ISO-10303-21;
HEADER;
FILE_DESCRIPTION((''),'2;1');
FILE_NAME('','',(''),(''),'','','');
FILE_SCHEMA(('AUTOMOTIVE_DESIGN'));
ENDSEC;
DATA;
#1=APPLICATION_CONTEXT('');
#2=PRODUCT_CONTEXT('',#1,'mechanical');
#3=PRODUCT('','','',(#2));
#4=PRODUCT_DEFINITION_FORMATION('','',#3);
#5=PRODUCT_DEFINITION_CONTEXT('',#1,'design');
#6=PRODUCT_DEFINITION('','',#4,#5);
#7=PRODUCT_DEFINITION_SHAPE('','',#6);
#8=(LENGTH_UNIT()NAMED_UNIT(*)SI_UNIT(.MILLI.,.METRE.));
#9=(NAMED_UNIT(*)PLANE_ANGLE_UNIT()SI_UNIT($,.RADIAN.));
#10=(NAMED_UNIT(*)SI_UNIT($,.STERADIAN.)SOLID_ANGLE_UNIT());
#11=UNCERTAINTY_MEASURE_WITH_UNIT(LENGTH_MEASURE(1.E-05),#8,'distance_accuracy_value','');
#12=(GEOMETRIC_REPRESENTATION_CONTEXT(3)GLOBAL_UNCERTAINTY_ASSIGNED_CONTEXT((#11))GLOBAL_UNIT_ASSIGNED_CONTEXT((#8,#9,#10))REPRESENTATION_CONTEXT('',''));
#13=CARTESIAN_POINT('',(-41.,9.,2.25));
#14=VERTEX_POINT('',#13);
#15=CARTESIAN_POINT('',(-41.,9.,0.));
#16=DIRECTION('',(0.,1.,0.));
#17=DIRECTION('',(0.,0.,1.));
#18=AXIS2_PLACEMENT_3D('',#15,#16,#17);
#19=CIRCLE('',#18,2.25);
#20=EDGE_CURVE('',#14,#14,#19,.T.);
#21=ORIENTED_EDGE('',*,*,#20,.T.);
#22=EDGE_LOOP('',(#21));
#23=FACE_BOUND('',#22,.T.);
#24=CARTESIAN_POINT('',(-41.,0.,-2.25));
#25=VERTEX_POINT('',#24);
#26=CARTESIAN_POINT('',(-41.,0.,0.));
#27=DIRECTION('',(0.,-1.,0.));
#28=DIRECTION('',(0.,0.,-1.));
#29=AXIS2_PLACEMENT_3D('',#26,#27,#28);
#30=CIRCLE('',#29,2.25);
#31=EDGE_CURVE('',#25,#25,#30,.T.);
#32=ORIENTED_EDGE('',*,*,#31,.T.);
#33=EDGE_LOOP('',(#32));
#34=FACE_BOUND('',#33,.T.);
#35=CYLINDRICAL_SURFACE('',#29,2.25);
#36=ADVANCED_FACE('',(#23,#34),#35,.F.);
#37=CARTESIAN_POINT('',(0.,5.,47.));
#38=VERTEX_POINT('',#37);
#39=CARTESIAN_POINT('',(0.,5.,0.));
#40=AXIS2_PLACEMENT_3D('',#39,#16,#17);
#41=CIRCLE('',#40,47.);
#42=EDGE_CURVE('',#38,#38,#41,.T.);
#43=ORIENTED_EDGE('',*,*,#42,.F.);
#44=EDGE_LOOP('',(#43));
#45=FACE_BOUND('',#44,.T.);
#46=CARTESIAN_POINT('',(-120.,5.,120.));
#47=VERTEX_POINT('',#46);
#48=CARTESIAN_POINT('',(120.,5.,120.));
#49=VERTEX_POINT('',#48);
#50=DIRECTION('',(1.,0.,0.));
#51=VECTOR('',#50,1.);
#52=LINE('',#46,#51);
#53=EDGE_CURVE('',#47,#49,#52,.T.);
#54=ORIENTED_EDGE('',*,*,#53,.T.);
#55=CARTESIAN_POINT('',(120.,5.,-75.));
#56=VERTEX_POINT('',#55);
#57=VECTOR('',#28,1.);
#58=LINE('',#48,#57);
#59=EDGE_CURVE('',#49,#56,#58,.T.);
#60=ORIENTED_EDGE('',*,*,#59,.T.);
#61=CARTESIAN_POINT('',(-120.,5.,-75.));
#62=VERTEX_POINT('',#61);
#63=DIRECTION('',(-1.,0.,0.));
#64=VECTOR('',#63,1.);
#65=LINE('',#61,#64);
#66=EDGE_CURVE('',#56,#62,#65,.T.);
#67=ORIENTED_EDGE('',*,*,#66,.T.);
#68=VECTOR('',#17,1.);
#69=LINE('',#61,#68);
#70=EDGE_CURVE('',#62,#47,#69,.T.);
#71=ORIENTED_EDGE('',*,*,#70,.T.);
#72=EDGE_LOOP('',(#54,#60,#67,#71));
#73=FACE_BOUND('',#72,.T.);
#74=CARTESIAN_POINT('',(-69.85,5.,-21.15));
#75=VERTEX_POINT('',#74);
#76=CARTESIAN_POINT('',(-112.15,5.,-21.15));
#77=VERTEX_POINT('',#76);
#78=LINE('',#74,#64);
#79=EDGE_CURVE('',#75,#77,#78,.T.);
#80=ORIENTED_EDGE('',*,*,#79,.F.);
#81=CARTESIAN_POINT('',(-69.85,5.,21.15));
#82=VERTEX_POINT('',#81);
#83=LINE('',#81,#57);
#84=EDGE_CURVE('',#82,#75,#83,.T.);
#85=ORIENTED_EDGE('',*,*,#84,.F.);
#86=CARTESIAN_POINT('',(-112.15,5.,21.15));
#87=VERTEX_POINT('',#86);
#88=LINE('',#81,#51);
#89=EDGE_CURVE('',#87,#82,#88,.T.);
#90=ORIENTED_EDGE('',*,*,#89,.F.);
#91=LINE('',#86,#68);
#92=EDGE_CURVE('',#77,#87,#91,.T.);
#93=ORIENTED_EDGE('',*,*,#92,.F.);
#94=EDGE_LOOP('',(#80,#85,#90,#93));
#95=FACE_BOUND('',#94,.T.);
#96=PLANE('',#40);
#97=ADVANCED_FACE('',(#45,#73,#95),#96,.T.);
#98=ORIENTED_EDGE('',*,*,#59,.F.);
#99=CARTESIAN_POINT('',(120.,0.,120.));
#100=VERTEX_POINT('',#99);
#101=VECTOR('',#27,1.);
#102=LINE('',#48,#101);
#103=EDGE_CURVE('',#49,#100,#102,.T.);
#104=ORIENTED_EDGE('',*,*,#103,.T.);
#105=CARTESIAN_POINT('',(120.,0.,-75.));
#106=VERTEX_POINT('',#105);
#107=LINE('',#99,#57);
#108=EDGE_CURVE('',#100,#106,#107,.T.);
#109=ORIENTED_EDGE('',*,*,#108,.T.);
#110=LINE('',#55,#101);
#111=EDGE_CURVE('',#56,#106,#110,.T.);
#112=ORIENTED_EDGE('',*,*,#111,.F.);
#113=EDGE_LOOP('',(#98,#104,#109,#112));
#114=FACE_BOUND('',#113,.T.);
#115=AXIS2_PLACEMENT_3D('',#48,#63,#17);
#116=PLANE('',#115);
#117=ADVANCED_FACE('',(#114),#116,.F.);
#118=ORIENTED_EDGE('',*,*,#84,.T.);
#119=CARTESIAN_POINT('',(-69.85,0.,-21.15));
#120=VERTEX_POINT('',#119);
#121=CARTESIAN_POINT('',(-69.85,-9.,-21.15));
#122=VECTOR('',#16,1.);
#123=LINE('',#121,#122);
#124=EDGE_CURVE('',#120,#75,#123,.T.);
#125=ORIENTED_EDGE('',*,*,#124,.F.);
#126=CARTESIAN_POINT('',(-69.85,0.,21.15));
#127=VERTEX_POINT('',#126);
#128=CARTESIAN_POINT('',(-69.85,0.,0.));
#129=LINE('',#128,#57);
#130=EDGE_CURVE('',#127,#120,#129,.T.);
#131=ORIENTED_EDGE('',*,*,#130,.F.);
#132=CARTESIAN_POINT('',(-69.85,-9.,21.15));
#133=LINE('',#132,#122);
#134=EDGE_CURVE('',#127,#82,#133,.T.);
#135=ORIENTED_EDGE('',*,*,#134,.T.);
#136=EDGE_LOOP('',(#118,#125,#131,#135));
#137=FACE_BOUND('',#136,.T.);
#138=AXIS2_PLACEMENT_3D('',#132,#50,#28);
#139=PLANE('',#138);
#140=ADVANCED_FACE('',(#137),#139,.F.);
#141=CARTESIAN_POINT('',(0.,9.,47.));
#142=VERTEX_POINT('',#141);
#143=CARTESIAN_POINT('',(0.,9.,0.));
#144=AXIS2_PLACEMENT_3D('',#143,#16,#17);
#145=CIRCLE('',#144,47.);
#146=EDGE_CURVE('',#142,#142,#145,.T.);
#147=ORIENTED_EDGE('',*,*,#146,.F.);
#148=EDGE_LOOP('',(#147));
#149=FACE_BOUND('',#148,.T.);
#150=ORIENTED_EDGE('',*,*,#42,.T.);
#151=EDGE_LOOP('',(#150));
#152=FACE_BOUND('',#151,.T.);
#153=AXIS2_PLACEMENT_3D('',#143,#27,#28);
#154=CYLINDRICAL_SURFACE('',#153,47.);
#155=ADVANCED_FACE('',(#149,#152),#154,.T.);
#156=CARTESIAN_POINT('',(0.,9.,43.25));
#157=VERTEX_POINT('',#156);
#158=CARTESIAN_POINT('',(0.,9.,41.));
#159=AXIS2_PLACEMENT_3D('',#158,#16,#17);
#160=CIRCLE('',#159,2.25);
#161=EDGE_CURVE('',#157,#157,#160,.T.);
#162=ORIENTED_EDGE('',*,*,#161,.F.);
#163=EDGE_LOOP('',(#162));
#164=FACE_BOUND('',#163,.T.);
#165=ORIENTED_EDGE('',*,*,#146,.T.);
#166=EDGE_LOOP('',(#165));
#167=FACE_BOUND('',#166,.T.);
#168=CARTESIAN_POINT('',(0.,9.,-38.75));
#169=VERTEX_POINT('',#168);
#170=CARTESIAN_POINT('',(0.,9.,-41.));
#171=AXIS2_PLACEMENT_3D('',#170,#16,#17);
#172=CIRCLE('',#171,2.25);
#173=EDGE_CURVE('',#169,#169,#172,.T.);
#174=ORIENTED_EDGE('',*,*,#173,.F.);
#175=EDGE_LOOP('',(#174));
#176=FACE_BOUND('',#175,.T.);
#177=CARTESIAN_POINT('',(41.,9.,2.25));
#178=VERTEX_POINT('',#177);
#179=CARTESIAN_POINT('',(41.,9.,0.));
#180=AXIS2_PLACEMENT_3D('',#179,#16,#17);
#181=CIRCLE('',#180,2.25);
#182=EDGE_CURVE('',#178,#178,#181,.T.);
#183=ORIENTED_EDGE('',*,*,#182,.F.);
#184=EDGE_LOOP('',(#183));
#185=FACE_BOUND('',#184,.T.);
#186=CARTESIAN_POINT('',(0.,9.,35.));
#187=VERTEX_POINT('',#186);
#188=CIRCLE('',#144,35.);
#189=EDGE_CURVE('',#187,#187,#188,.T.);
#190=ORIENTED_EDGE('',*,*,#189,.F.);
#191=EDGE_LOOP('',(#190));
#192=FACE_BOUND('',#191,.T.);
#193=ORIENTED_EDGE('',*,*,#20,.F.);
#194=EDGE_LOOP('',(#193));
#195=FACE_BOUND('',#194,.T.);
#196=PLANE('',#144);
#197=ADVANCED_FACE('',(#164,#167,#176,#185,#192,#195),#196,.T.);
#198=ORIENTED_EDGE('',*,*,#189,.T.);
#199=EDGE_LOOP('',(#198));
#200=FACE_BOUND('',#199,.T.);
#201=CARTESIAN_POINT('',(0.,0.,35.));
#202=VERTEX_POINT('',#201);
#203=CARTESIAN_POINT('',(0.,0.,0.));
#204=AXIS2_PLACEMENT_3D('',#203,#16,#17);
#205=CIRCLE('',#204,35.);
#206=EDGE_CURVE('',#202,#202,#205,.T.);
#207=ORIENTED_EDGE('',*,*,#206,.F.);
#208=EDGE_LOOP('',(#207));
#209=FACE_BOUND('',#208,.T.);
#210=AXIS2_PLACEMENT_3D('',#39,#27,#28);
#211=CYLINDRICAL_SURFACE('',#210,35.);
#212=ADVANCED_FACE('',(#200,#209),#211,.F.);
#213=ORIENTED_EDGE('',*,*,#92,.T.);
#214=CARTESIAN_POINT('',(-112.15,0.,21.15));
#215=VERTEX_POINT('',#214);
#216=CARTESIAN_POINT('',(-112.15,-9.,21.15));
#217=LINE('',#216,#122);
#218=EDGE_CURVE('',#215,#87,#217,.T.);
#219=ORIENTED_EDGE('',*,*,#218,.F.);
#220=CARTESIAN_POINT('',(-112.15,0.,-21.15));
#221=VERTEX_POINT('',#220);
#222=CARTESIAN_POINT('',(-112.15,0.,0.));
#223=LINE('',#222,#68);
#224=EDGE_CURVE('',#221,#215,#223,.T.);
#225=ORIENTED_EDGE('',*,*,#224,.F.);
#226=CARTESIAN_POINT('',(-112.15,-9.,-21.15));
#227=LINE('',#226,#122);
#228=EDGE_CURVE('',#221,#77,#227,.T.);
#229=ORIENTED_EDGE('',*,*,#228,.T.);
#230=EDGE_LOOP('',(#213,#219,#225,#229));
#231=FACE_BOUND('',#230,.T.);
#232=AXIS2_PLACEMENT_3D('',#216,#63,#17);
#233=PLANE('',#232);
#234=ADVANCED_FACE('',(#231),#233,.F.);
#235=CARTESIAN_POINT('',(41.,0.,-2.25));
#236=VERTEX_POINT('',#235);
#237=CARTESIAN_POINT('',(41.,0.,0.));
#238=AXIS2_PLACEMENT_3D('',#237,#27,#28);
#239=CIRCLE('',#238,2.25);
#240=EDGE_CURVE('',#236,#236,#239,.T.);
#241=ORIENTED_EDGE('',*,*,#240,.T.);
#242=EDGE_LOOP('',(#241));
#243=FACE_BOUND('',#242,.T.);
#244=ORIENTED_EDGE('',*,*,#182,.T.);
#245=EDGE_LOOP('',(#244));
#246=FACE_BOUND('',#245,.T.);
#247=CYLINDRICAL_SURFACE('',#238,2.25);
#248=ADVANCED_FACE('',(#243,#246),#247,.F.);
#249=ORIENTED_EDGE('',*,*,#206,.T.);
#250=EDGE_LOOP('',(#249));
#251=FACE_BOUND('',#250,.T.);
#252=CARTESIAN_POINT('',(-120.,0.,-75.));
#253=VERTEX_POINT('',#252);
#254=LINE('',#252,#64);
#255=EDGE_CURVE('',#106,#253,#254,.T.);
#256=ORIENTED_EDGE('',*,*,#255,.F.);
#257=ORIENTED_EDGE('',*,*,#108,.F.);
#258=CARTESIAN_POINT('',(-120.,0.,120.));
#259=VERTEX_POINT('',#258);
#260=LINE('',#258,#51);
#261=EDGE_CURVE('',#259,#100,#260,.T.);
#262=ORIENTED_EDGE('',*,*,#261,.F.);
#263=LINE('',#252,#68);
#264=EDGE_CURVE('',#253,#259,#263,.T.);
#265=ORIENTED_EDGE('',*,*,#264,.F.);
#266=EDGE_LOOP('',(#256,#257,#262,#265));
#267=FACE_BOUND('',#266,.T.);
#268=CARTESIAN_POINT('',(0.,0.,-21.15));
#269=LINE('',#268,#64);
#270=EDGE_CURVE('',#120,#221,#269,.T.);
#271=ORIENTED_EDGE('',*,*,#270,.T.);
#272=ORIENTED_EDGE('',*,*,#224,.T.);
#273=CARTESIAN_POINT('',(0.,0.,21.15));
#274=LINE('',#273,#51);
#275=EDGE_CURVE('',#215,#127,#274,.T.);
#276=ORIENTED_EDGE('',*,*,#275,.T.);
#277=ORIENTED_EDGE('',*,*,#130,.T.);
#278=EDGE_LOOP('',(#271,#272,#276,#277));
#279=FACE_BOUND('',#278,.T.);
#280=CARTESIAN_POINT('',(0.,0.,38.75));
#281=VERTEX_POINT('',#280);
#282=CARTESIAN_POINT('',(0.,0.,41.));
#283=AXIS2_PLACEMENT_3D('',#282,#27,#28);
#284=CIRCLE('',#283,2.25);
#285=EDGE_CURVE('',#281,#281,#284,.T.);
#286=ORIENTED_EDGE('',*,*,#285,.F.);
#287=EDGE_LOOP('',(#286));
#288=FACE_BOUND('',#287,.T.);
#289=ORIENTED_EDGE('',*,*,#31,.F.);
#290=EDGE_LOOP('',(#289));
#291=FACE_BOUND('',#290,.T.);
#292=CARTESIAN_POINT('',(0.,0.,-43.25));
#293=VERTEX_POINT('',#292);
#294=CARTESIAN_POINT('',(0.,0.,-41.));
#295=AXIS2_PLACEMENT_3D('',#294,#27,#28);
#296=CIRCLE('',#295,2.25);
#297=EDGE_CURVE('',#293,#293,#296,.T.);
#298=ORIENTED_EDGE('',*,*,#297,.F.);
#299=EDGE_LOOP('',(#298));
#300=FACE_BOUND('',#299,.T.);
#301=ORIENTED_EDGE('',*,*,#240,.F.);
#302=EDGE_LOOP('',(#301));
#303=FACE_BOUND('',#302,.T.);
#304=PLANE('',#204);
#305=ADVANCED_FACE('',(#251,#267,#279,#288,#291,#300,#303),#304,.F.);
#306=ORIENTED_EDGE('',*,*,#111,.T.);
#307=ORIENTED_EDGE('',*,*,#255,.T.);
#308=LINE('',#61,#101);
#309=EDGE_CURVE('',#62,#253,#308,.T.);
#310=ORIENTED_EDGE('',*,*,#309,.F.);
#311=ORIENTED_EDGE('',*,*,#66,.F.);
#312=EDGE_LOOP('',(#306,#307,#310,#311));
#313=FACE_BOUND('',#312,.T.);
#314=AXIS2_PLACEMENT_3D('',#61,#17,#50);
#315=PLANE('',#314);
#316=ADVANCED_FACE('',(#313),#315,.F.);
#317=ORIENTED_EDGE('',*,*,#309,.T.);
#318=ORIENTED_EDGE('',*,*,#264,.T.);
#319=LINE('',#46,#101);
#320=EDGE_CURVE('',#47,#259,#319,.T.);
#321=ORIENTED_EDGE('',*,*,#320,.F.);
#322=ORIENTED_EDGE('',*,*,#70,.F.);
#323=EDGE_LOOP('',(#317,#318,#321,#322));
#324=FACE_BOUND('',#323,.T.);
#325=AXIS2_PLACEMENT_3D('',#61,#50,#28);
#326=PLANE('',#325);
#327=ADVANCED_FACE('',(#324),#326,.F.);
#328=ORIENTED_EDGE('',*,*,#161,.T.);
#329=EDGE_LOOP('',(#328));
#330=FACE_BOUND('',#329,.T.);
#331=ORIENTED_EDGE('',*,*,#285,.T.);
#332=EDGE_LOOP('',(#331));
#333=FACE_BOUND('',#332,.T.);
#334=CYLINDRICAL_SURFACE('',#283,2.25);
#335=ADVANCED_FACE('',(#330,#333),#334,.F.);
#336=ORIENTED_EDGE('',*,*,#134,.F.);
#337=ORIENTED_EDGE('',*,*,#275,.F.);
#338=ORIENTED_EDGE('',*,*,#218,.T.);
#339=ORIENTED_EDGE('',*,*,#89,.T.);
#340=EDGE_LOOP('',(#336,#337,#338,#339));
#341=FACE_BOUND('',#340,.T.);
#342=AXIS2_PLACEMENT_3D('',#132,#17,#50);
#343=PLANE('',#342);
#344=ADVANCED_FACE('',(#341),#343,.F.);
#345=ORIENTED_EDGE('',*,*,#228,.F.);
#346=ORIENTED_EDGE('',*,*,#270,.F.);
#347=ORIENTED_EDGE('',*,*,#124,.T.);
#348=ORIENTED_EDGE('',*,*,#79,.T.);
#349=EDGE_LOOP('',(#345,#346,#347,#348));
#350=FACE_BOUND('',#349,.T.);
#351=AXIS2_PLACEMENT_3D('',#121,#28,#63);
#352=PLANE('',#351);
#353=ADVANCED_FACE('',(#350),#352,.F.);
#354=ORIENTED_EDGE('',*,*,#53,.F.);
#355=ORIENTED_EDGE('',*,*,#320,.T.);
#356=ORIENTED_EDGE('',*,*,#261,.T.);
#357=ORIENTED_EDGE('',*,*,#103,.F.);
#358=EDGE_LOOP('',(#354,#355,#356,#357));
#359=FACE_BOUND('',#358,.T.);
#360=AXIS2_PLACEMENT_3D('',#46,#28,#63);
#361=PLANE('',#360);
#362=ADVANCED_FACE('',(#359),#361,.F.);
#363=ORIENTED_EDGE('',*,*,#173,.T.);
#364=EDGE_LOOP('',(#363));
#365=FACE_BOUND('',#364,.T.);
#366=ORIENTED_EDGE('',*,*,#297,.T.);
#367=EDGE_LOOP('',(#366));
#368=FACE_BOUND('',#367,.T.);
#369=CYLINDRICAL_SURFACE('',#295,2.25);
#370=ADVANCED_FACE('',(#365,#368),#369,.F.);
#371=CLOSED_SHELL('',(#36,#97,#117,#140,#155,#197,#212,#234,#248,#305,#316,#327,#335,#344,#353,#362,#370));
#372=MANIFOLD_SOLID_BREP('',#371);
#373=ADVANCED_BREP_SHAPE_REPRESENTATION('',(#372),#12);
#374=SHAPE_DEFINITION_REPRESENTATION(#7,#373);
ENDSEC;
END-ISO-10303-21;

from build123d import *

# Parameters (mm, degrees)
SCHIZZO1_W                   = 240
SCHIZZO1_H                   = 195
SCHIZZO1_R                   = 35
ESTRUSIONE_ESTRUSIONE1_DEPTH = 5
SCHIZZO3_R                   = 47
SCHIZZO3_R_2                 = 35
ESTRUSIONE_ESTRUSIONE2_DEPTH = 4
FORO_PER_VITE_M3_1_D         = 4.5
FORO_PER_VITE_M3_1_DEPTH     = 18.1
FORO_PER_VITE_M3_1_TIP       = 1.351936393
SCHIZZO7_W                   = 42.3
SCHIZZO7_H                   = 42.3
TAGLIO_ESTRUSIONE1_DEPTH     = 14


with BuildPart() as part:
    # Schizzo1 → Estrusione-Estrusione1 (new body)
    with BuildSketch(Plane(origin=(0, 0, 0), x_dir=(1, 0, 0), z_dir=(0, 1, 0))):
        with Locations((0, -22.5)):
            Rectangle(SCHIZZO1_W, SCHIZZO1_H)
        with Locations(Location((0, 0, 0), (0, 0, 270))):
            Circle(SCHIZZO1_R, mode=Mode.SUBTRACT)
    extrude(amount=ESTRUSIONE_ESTRUSIONE1_DEPTH)

    # Schizzo3 → Estrusione-Estrusione2 (add)
    with BuildSketch(Plane(origin=(0, 5, 0), x_dir=(1, 0, 0), z_dir=(0, 1, 0))):
        with Locations(Location((0, 0, 0), (0, 0, 270))):
            Circle(SCHIZZO3_R)
        with Locations(Location((0, 0, 0), (0, 0, 270))):
            Circle(SCHIZZO3_R_2, mode=Mode.SUBTRACT)
    extrude(amount=ESTRUSIONE_ESTRUSIONE2_DEPTH)

    # Foro per Vite M3-1
    with Locations(Plane(origin=(0, 0, 0), x_dir=(-1, 0, 0), z_dir=(0, -1, 0))):
        with Locations((-41, 0), (0, 41), (41, 0), (0, -41)):
            Hole(FORO_PER_VITE_M3_1_D / 2, depth=FORO_PER_VITE_M3_1_DEPTH)
            with Locations((0, 0, -(FORO_PER_VITE_M3_1_DEPTH + FORO_PER_VITE_M3_1_TIP / 2))):  # 118° drill point
                Cone(0, FORO_PER_VITE_M3_1_D / 2, FORO_PER_VITE_M3_1_TIP, mode=Mode.SUBTRACT)

    # Schizzo7 → Taglio-Estrusione1 (cut)
    with BuildSketch(Plane(origin=(0, 5, 0), x_dir=(1, 0, 0), z_dir=(0, 1, 0))):
        with Locations((-91, 0)):
            Rectangle(SCHIZZO7_W, SCHIZZO7_H)
    extrude(amount=-TAGLIO_ESTRUSIONE1_DEPTH, mode=Mode.SUBTRACT)


solid = part.part
